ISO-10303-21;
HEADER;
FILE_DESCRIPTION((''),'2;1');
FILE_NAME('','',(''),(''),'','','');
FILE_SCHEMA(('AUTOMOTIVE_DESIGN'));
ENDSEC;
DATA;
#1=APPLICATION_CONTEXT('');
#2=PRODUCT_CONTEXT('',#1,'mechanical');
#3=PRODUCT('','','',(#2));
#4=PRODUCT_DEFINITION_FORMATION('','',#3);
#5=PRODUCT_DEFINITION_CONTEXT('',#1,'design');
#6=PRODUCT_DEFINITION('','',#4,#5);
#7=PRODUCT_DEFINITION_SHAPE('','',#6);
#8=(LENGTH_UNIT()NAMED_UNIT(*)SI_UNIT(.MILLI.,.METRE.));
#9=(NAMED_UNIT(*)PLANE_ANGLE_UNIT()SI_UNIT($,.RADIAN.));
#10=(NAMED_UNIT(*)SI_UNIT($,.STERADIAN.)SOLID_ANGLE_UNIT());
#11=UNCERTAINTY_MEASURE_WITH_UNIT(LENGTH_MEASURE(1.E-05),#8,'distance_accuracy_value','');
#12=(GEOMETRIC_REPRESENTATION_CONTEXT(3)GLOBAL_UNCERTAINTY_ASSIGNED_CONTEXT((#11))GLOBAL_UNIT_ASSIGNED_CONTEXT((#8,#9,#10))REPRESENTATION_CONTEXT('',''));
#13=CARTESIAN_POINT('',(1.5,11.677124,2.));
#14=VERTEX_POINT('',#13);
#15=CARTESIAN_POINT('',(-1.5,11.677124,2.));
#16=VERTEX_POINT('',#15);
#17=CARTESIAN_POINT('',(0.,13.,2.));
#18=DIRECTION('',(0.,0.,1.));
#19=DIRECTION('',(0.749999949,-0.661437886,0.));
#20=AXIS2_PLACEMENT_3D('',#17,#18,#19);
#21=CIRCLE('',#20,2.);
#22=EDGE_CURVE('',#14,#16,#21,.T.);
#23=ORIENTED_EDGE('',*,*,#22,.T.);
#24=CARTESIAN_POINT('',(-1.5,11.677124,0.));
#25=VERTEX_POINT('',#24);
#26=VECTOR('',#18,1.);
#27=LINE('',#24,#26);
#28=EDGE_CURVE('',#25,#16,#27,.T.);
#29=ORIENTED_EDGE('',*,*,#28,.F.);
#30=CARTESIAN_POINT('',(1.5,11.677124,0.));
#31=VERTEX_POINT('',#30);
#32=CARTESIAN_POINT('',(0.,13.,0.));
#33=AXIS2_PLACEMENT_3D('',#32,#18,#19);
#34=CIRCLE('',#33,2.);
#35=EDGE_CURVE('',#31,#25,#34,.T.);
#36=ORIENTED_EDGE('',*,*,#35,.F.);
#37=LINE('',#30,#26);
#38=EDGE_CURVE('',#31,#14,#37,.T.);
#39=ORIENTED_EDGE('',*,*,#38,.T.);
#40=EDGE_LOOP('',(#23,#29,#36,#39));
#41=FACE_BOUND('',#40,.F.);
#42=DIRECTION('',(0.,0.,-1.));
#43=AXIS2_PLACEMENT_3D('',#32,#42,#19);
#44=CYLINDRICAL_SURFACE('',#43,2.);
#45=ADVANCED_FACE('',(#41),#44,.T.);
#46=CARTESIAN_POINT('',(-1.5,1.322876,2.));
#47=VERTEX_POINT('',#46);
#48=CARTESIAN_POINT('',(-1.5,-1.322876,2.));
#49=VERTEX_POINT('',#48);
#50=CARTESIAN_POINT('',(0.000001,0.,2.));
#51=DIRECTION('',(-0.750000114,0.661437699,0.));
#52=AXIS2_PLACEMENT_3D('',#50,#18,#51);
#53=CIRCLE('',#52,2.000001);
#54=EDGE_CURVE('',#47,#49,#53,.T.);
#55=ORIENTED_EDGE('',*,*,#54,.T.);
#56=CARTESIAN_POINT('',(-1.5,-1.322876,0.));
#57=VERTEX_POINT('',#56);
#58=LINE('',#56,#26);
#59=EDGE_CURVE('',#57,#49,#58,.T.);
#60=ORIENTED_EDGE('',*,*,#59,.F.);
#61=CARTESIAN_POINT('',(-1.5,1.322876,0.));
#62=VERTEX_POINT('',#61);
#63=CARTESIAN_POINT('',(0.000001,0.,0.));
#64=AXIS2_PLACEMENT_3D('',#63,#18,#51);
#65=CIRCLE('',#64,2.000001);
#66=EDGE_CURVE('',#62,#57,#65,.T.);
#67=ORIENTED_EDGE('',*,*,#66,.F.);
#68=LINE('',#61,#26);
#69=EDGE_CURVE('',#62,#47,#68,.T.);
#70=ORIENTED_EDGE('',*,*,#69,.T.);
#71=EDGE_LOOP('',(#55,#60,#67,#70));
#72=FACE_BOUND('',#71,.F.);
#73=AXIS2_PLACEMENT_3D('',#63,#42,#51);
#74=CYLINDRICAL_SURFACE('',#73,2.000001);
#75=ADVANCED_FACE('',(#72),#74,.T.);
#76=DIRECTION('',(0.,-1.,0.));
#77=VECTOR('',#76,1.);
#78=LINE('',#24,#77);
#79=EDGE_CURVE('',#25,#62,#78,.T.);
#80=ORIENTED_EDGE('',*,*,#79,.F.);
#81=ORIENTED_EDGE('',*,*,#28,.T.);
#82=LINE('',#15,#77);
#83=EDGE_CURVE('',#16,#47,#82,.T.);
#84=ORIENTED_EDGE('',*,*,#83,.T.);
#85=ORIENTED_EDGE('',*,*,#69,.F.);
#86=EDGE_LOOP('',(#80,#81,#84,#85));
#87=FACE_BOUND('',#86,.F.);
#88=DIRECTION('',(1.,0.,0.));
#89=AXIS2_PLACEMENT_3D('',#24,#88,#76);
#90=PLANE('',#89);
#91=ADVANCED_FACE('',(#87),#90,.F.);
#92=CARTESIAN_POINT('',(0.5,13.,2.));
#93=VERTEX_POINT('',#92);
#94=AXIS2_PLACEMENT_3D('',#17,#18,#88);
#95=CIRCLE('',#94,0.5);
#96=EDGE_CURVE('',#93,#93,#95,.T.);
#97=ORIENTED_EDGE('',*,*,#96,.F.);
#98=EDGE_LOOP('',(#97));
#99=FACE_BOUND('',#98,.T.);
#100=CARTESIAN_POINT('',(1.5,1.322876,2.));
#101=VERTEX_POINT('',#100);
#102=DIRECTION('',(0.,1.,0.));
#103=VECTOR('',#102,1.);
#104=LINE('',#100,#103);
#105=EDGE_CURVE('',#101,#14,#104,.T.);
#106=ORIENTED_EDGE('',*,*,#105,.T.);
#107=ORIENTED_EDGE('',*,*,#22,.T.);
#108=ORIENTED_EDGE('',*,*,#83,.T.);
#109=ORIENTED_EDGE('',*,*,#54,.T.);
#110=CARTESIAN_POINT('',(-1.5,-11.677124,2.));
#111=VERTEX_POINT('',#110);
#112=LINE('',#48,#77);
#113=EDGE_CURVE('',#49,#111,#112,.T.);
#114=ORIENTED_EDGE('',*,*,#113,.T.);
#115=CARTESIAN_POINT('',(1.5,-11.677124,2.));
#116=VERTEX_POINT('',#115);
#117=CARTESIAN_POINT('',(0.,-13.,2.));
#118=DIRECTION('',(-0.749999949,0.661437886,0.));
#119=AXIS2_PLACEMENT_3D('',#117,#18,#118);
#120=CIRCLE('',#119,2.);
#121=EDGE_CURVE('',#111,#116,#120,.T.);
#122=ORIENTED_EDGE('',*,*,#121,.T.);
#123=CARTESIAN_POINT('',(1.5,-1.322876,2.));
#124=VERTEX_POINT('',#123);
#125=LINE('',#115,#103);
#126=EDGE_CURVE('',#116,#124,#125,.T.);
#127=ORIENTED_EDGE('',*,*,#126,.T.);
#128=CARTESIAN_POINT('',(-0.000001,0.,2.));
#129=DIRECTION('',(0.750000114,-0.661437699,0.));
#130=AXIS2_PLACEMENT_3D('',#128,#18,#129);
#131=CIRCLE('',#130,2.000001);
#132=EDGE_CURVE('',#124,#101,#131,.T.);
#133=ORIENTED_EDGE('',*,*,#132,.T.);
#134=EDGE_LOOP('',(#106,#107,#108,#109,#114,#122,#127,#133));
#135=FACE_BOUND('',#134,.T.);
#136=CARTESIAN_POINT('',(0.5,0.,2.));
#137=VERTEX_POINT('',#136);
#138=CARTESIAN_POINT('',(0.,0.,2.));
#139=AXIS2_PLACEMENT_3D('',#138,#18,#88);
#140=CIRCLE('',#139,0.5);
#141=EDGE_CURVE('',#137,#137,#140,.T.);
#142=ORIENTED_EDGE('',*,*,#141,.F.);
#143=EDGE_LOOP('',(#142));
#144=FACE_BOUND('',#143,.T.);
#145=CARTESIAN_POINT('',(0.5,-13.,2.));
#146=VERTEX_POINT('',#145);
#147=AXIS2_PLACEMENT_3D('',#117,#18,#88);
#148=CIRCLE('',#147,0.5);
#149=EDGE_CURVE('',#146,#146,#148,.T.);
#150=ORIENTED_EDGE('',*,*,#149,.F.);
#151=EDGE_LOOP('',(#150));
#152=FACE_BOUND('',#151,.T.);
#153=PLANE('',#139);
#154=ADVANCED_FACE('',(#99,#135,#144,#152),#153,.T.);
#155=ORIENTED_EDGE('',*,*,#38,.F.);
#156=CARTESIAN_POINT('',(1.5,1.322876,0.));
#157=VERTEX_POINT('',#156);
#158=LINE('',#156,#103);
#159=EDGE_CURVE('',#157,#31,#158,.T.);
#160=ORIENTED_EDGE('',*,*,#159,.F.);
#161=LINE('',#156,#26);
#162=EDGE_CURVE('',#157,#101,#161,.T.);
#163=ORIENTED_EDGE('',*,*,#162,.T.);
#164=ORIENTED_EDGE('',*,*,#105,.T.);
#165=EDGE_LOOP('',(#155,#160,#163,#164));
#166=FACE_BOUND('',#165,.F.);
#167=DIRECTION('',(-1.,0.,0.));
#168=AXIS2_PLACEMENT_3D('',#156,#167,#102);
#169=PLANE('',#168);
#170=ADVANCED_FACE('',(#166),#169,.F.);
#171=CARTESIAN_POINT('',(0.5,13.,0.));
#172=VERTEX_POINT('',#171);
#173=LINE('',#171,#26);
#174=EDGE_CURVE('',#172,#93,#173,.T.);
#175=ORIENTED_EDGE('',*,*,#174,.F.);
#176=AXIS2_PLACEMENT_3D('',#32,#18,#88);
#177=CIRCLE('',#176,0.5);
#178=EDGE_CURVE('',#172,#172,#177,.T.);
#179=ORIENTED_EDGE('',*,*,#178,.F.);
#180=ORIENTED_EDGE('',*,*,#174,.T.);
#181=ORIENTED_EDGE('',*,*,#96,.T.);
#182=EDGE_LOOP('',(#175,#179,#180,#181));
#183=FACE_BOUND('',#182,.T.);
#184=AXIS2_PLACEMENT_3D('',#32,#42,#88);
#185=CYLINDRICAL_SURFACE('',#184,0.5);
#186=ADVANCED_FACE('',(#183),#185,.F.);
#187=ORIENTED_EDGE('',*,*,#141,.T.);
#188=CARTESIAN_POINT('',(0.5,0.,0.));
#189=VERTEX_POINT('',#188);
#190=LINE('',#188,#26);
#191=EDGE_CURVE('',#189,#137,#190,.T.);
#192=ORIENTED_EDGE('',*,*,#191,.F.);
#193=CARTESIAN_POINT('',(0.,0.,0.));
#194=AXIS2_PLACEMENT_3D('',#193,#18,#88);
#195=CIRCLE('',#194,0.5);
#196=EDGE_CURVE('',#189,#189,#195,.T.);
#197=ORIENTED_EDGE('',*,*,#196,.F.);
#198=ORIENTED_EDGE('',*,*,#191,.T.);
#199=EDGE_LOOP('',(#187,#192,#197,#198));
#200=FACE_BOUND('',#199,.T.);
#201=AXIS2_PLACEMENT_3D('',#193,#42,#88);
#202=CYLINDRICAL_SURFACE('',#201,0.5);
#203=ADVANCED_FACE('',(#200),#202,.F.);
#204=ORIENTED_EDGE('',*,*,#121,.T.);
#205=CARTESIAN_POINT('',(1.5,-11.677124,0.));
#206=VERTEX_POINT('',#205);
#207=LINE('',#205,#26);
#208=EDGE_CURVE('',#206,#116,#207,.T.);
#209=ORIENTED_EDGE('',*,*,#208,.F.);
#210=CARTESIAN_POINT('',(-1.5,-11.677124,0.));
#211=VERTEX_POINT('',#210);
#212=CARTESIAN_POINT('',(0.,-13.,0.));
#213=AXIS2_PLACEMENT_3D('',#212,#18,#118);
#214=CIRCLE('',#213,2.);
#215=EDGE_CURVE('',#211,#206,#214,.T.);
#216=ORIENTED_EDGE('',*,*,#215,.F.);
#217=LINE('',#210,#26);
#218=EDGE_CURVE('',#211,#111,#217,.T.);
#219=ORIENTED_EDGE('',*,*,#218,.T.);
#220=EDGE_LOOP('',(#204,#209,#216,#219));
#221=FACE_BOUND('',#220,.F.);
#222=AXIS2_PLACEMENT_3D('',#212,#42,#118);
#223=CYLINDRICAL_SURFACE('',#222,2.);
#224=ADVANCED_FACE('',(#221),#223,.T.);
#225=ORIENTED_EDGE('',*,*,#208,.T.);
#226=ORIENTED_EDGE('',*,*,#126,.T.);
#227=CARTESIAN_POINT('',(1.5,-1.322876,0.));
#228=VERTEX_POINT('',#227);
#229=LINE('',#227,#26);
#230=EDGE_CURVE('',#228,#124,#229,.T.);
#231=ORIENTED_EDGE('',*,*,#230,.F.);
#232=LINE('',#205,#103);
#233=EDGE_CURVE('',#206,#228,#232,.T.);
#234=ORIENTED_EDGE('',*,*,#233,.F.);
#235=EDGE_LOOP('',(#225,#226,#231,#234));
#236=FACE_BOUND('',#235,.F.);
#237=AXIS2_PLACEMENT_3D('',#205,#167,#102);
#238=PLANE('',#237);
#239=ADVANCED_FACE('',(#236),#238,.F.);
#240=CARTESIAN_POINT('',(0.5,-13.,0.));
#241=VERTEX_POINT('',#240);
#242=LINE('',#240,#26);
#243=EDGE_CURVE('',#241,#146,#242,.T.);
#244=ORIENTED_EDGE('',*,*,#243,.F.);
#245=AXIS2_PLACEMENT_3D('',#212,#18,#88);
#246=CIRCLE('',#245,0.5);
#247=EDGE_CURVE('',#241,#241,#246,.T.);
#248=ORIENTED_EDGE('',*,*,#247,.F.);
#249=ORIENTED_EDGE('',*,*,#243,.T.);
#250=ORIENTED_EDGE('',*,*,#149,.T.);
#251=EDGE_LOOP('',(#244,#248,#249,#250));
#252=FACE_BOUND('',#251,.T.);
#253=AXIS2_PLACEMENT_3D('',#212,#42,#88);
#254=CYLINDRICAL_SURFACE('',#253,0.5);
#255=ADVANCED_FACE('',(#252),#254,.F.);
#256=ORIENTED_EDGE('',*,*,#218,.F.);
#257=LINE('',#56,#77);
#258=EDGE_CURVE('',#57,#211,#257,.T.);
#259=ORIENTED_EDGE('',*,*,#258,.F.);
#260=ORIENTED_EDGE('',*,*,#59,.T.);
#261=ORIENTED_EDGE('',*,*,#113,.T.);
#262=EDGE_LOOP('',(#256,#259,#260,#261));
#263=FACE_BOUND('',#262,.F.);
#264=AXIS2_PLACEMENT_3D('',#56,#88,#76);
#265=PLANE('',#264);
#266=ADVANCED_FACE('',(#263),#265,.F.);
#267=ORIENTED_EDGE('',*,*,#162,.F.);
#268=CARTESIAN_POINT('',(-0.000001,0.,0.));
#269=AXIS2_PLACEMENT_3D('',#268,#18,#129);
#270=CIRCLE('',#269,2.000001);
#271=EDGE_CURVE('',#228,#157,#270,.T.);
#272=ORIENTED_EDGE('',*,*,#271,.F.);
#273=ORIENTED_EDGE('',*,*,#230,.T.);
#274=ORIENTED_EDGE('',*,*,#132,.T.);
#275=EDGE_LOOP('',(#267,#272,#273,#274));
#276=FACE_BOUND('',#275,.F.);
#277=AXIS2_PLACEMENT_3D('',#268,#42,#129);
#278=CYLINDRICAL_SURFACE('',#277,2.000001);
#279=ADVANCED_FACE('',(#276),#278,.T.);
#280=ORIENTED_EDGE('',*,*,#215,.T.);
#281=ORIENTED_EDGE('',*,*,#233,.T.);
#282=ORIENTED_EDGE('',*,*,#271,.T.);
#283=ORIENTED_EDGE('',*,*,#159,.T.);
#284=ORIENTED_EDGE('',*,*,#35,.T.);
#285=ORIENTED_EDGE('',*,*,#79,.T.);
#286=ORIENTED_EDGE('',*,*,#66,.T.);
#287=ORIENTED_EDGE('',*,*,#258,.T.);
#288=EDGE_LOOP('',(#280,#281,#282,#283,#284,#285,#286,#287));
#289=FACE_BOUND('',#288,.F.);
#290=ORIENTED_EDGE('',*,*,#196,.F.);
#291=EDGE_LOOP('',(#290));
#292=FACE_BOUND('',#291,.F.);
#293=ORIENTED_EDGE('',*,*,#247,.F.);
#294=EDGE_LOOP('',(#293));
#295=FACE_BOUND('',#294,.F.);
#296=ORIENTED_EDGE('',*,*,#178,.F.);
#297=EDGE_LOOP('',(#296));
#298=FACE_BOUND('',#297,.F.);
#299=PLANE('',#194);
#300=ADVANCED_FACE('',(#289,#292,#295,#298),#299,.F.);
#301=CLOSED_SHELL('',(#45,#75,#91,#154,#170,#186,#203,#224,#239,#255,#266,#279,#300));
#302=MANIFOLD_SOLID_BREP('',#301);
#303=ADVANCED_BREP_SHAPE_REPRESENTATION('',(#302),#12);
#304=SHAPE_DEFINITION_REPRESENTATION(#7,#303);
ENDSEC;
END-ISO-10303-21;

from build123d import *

# Parameters (mm, degrees)
F0_R     = 0.5
F1_DEPTH = 2


with BuildPart() as f1:
    # F0 (on Top) → F1 (new body)
    with BuildSketch(Plane.XY):
        with BuildLine():
            ThreePointArc((1.5, 11.677124), (0, 15), (-1.5, 11.677124))
            Line((-1.5, 11.677124), (-1.5, 1.322876))
            ThreePointArc((-1.5, 1.322876), (-2, 0), (-1.5, -1.322876))
            Line((-1.5, -1.322876), (-1.5, -11.677124))
            ThreePointArc((-1.5, -11.677124), (0, -15), (1.5, -11.677124))
            Line((1.5, -11.677124), (1.5, -1.322876))
            ThreePointArc((1.5, -1.322876), (2, 0), (1.5, 1.322876))
            Line((1.5, 1.322876), (1.5, 11.677124))
        make_face()
        with Locations((0, -13)):
            Circle(F0_R, mode=Mode.SUBTRACT)
        Circle(F0_R, mode=Mode.SUBTRACT)
        with Locations((0, 13)):
            Circle(F0_R, mode=Mode.SUBTRACT)
    extrude(amount=F1_DEPTH)


solid = f1.part
